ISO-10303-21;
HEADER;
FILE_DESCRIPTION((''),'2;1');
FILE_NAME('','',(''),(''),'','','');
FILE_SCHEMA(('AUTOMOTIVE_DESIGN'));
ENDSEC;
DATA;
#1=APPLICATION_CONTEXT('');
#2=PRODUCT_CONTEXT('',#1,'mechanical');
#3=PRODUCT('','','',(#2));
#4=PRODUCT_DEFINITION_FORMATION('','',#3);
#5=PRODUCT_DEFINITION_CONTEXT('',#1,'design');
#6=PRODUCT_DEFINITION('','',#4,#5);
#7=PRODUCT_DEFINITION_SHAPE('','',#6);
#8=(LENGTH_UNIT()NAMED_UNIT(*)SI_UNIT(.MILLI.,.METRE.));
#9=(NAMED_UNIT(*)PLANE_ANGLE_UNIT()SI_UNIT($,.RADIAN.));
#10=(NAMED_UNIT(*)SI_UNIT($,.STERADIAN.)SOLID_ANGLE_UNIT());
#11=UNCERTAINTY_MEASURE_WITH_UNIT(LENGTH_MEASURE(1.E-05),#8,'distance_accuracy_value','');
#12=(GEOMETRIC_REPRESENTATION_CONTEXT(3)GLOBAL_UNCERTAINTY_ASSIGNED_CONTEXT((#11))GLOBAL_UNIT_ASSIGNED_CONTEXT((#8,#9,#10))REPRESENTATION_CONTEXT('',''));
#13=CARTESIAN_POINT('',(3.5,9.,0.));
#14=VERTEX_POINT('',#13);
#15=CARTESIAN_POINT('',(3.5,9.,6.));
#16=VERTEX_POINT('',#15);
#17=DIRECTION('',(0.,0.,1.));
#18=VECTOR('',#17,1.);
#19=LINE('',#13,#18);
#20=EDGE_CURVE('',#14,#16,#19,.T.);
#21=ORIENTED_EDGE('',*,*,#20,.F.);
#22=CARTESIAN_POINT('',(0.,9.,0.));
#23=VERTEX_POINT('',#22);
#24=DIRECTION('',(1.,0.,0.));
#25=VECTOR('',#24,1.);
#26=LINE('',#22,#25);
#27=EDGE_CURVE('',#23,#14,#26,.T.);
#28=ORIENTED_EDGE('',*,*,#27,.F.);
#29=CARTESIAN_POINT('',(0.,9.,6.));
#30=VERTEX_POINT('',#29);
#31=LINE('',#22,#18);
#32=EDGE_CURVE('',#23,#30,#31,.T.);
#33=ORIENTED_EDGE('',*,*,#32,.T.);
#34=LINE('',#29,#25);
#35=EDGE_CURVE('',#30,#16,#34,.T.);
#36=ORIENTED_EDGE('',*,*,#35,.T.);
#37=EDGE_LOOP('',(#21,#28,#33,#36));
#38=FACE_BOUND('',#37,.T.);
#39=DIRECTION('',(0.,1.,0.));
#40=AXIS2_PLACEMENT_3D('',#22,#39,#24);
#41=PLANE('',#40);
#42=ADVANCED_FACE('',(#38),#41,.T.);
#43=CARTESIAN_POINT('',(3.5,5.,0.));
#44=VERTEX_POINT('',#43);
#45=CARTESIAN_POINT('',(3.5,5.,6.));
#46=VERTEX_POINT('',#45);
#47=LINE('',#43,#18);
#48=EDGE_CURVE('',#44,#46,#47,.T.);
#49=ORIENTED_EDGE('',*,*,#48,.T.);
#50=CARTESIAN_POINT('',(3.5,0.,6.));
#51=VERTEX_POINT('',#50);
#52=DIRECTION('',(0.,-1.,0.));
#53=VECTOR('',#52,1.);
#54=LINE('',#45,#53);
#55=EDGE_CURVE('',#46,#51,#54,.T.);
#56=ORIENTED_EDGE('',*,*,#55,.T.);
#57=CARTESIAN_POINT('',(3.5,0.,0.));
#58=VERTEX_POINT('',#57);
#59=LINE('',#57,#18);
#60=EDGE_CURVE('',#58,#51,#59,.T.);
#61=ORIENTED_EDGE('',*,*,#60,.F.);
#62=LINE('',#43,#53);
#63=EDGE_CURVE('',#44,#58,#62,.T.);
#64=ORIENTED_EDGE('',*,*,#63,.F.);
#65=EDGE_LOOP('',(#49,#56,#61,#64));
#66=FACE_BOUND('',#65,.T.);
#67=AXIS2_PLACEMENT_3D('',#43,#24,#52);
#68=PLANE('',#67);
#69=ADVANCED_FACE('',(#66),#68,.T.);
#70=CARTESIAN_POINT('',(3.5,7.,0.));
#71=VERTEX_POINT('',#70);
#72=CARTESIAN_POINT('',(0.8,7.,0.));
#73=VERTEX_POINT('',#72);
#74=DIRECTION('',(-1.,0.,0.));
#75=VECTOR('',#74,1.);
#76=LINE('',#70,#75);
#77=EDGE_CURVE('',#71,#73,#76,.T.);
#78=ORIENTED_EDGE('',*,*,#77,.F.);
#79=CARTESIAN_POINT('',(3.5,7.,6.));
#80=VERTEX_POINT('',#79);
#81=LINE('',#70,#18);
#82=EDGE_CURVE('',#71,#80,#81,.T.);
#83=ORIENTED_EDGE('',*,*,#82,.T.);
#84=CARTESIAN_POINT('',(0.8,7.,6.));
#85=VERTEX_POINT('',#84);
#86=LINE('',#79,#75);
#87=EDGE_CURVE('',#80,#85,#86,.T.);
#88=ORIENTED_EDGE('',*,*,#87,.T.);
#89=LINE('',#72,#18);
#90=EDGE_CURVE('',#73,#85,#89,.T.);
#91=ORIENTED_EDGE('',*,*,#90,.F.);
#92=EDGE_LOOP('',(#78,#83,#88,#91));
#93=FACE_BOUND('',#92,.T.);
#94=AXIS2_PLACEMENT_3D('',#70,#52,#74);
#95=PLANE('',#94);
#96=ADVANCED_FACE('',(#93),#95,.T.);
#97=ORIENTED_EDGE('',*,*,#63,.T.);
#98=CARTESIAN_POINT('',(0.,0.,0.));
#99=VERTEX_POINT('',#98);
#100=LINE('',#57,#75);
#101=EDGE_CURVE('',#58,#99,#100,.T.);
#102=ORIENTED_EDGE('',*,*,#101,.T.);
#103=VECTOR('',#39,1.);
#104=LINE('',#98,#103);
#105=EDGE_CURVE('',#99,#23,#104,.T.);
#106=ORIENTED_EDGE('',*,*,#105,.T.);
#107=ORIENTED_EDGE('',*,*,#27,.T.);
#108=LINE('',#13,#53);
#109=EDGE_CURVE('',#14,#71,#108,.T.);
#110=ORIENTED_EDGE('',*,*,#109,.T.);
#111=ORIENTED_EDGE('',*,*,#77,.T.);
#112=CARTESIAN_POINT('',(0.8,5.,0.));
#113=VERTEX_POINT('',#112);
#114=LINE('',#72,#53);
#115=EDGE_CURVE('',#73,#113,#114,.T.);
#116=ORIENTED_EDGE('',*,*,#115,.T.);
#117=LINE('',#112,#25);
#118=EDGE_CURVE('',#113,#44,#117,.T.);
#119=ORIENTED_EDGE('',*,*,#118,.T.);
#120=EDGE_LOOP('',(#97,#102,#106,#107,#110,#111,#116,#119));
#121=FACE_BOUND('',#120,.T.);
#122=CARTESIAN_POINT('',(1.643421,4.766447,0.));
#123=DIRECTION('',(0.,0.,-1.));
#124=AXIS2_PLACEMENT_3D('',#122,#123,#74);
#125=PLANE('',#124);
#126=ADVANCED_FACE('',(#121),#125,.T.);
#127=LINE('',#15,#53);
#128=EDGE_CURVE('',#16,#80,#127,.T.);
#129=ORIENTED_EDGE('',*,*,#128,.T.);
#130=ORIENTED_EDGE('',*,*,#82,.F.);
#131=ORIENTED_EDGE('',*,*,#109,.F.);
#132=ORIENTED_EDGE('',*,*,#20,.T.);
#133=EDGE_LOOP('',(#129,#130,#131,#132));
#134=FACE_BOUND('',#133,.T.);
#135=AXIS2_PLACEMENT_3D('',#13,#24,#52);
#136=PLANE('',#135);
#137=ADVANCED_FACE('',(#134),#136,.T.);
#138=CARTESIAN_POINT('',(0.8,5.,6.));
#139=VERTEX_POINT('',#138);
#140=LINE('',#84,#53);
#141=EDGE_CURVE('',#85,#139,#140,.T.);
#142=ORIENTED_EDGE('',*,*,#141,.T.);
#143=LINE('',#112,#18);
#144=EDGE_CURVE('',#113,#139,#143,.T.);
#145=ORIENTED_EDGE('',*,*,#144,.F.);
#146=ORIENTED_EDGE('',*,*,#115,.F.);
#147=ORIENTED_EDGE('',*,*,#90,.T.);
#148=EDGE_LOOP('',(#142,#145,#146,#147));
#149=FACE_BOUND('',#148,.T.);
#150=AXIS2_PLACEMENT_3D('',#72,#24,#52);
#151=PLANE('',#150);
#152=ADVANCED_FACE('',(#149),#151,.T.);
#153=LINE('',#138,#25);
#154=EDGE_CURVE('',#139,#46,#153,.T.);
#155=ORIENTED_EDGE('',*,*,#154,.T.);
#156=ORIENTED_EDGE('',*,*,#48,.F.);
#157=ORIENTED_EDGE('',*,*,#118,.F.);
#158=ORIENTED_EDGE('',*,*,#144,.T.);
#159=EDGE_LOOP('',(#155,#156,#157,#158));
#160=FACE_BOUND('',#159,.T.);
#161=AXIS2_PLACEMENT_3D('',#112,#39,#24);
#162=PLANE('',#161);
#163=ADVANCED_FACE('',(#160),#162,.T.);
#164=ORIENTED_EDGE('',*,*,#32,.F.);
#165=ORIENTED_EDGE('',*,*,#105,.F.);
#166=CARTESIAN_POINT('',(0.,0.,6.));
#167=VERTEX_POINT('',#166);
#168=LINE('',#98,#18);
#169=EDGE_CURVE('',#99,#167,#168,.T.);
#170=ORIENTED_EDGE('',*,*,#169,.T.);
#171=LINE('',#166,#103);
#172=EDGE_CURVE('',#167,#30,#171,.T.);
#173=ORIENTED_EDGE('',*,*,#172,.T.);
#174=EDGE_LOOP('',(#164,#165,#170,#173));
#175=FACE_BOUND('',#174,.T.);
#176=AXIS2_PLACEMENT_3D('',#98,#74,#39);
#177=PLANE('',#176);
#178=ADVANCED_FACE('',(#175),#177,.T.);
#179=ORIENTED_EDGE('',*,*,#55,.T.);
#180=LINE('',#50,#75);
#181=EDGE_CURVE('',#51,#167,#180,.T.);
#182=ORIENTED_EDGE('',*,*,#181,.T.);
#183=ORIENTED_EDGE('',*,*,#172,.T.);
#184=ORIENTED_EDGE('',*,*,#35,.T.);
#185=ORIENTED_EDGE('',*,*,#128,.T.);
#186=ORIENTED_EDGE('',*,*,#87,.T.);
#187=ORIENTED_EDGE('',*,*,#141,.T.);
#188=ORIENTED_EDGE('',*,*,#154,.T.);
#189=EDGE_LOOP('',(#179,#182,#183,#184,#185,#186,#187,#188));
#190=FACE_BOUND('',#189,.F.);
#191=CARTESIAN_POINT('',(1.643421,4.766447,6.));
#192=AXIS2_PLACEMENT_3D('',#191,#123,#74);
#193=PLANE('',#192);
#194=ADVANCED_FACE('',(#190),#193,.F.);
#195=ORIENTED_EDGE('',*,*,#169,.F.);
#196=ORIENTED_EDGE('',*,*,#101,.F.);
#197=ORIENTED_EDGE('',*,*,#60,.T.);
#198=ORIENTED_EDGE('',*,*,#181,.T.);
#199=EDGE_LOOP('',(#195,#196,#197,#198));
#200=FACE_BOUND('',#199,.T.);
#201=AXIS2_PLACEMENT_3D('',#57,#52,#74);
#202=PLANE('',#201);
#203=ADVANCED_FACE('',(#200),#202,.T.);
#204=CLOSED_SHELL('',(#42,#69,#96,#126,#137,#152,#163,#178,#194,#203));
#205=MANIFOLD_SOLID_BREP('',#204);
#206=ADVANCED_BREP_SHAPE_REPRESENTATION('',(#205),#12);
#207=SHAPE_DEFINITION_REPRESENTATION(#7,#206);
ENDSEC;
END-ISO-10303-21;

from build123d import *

# Parameters (mm, degrees)
PAD_DEPTH = 6


with BuildPart() as part:
    # Sketch → Pad (new body)
    with BuildSketch(Plane.XY):
        Polygon((0, 0), (0, 9), (3.5, 9), (3.5, 7), (0.8, 7), (0.8, 5), (3.5, 5), (3.5, 0), align=None)
    extrude(amount=PAD_DEPTH)


solid = part.part
